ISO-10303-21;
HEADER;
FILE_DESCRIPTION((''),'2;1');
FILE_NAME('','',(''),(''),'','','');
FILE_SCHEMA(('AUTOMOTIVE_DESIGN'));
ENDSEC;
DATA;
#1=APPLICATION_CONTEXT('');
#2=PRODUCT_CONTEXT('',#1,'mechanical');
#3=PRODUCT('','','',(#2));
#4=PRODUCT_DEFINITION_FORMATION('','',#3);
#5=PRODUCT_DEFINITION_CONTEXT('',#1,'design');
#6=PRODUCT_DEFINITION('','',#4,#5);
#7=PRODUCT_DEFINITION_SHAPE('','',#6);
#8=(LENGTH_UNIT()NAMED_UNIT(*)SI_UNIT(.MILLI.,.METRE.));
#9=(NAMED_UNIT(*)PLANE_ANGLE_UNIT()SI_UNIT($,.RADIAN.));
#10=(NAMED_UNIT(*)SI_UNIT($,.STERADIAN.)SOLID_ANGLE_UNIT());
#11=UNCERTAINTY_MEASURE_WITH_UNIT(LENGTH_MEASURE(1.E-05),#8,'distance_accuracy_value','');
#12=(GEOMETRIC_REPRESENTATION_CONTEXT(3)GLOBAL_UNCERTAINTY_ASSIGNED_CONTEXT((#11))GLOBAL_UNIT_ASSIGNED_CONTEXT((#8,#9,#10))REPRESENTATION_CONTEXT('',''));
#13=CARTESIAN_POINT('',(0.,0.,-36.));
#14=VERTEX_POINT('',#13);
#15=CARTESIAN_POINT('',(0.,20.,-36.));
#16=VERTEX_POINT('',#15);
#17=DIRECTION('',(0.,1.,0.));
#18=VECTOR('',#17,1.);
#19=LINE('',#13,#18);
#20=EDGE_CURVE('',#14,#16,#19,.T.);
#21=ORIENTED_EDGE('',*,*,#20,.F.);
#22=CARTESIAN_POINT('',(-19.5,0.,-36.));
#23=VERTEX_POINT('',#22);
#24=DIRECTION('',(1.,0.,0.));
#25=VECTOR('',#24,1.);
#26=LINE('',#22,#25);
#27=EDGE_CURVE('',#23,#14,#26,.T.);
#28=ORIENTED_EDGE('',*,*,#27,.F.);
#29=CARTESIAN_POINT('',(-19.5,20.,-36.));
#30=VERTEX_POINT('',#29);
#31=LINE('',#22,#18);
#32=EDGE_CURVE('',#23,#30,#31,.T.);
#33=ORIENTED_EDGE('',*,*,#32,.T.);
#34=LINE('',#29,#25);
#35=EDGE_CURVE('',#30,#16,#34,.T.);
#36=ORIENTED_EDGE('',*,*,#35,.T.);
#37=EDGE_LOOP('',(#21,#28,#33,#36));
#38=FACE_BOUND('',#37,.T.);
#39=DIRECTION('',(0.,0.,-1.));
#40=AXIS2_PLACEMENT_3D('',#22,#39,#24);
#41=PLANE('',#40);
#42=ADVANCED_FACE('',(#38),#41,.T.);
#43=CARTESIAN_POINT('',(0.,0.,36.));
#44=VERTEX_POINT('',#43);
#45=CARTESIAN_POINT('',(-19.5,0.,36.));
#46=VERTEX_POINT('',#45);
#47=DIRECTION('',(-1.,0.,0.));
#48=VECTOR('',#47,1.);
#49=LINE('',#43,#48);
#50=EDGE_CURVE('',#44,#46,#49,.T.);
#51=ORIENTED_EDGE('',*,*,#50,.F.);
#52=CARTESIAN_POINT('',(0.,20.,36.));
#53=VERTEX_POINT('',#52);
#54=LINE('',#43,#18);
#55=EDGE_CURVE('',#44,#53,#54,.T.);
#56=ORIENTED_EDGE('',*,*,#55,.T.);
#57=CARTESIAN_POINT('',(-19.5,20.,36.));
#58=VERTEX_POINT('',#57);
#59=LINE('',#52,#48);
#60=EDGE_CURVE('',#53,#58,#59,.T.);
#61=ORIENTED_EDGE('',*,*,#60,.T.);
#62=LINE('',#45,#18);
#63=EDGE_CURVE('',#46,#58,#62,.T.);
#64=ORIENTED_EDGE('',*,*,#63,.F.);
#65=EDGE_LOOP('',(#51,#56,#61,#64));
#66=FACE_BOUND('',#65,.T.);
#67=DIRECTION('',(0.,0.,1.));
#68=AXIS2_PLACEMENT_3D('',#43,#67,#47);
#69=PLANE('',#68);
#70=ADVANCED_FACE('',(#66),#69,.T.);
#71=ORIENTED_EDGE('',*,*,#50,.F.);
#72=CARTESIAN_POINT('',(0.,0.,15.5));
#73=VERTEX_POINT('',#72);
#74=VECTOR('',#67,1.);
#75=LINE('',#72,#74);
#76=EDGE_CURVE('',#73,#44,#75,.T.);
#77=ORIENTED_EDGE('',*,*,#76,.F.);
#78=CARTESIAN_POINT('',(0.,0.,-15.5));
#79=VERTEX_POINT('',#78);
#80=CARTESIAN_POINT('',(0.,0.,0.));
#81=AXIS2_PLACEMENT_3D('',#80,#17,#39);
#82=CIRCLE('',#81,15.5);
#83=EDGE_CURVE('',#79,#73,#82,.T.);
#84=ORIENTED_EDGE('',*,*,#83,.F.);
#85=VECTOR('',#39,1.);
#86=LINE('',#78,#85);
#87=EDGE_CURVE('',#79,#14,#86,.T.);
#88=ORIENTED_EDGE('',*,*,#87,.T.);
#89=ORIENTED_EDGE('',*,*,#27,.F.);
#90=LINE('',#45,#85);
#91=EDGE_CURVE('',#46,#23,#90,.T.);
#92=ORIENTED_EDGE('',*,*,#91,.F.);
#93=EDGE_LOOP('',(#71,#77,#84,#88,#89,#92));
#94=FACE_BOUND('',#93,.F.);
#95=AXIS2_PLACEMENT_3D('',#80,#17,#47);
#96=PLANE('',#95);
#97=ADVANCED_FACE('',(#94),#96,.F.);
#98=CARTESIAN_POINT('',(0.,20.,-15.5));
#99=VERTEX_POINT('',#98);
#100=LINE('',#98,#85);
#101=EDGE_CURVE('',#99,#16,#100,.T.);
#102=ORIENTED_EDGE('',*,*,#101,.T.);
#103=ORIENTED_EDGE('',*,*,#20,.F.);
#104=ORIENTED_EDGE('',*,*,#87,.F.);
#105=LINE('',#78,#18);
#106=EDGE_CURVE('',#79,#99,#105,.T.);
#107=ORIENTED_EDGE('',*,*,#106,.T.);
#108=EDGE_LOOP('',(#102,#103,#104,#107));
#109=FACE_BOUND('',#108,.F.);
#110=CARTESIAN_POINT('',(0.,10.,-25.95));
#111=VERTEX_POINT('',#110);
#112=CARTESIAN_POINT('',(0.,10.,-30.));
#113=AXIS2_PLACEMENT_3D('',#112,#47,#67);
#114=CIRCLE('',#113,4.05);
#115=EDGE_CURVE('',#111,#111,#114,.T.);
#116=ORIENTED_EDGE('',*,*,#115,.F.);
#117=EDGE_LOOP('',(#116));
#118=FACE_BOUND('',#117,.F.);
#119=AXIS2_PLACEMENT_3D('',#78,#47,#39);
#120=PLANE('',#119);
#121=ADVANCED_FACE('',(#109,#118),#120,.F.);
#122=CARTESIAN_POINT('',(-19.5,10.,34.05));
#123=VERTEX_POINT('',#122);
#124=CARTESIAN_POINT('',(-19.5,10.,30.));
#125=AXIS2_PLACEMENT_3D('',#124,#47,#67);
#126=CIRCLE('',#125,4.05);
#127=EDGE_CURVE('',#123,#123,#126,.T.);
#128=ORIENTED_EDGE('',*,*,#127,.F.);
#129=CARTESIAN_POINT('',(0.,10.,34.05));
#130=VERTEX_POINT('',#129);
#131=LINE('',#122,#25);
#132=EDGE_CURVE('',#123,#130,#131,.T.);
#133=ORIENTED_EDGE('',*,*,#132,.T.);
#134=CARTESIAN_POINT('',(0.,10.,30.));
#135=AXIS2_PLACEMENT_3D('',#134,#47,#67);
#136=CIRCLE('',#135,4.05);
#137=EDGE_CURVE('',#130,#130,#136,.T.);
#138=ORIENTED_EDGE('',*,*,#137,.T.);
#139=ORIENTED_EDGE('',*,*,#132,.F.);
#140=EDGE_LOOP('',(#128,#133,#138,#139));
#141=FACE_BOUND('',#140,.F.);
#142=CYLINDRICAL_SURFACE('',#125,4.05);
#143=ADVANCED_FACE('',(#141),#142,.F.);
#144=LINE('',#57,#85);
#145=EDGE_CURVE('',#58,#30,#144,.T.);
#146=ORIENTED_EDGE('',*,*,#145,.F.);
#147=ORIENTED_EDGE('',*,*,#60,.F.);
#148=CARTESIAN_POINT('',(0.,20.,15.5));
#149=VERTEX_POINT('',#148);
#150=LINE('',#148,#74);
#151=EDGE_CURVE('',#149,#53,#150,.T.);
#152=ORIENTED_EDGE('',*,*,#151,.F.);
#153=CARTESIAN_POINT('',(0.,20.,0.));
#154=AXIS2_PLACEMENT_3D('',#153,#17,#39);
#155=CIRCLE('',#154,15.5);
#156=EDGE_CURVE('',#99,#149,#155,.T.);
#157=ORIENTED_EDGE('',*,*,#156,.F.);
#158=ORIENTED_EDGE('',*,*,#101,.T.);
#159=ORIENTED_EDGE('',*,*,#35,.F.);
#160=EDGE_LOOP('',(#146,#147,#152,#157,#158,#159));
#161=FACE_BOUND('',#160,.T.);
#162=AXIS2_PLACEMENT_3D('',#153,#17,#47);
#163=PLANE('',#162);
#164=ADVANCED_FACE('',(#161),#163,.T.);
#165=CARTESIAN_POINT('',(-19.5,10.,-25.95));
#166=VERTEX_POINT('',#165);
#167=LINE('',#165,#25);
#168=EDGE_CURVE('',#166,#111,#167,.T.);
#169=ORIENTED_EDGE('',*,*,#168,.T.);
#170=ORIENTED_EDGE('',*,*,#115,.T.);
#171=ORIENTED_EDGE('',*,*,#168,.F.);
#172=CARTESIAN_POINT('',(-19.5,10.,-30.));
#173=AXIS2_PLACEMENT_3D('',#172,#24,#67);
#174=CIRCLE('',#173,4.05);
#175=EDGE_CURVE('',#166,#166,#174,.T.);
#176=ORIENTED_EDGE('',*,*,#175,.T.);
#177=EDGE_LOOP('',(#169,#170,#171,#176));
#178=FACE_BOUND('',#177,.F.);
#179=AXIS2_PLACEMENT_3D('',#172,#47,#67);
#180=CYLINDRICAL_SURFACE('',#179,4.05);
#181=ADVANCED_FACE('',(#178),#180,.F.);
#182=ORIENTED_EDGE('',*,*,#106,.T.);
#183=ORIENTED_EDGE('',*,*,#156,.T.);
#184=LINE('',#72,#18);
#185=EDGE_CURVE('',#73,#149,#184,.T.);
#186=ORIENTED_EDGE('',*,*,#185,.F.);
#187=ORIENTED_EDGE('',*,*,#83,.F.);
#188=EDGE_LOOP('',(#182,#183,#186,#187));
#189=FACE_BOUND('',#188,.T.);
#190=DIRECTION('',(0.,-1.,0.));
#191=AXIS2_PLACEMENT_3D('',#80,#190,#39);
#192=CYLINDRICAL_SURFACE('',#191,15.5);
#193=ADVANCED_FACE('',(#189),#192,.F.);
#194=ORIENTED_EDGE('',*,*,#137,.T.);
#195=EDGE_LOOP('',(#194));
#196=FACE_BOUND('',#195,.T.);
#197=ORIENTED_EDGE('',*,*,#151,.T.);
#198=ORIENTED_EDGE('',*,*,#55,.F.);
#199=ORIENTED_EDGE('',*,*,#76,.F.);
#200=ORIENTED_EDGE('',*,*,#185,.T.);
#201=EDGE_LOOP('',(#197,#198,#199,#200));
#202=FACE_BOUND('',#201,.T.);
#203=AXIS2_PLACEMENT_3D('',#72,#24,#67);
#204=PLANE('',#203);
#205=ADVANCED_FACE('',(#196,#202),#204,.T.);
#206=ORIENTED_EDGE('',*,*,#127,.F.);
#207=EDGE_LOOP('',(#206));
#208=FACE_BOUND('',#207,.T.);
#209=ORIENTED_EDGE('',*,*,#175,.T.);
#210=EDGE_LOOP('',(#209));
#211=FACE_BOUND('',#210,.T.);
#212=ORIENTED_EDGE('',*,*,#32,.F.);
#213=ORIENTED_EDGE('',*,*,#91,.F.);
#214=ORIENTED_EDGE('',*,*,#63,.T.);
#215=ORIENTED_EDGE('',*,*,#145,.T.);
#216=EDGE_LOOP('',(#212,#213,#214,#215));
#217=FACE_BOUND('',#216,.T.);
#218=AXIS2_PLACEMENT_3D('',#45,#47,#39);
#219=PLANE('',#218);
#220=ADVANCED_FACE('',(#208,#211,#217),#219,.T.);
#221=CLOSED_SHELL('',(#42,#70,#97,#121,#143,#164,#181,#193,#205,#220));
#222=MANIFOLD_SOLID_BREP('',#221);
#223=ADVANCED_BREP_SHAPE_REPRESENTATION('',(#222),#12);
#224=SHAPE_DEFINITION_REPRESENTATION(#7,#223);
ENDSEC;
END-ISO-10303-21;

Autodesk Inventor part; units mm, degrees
ref_plane "YZ Plane" through (0, 0, 0) normal (1, 0, 0) x (0, 1, 0)
ref_plane "XZ Plane" through (0, 0, 0) normal (0, 1, 0) x (-1, 0, 0)
ref_plane "XY Plane" through (0, 0, 0) normal (0, 0, 1) x (1, 0, 0)
sketch "Sketch3" plane through (0, 0, 0) normal (0, 1, 0) x (-1, 0, 0)
  arc A0 (0, -15.5) -> (0, 15.5) centre (0, 0) ccw
  line L0 (0, 15.5) -> (0, 36)
  line L1 (0, -15.5) -> (0, -36)
  line L2 (0, 36) -> (19.5, 36)
  line L3 (19.5, 36) -> (19.5, -36)
  line L4 (19.5, -36) -> (0, -36)
  dimension "d17" = 31
  dimension "d19" = 20.5
  dimension "d20" = 20.5
extrude "Extrusion3" add sketch "Sketch3" along normal blind 20
ref_plane "Work Plane2" through (-19.5, 0, -36) normal (-1, 0, 0) x (0, 0, 1)
sketch "Sketch4" plane through (-19.5, 0, -36) normal (-1, 0, 0) x (0, 0, 1)
  line L0 (0, 0) -> (0, 20) projected
  line L1 (0, 10) -> (6, 10)
  line L2 (72, 0) -> (72, 20) projected
  line L3 (72, 10) -> (66, 10)
  circle A0 centre (6, 10) radius 4.05
  circle A1 centre (66, 10) radius 4.05
  point P0 (36, 0)
  dimension "d25" = 6
  dimension "d26" = 6
  dimension "d27" = 8.1
  dimension "d28" = 8.1
extrude "Extrusion4" cut sketch "Sketch4" against normal blind 20
properties part number "mounpt2"
